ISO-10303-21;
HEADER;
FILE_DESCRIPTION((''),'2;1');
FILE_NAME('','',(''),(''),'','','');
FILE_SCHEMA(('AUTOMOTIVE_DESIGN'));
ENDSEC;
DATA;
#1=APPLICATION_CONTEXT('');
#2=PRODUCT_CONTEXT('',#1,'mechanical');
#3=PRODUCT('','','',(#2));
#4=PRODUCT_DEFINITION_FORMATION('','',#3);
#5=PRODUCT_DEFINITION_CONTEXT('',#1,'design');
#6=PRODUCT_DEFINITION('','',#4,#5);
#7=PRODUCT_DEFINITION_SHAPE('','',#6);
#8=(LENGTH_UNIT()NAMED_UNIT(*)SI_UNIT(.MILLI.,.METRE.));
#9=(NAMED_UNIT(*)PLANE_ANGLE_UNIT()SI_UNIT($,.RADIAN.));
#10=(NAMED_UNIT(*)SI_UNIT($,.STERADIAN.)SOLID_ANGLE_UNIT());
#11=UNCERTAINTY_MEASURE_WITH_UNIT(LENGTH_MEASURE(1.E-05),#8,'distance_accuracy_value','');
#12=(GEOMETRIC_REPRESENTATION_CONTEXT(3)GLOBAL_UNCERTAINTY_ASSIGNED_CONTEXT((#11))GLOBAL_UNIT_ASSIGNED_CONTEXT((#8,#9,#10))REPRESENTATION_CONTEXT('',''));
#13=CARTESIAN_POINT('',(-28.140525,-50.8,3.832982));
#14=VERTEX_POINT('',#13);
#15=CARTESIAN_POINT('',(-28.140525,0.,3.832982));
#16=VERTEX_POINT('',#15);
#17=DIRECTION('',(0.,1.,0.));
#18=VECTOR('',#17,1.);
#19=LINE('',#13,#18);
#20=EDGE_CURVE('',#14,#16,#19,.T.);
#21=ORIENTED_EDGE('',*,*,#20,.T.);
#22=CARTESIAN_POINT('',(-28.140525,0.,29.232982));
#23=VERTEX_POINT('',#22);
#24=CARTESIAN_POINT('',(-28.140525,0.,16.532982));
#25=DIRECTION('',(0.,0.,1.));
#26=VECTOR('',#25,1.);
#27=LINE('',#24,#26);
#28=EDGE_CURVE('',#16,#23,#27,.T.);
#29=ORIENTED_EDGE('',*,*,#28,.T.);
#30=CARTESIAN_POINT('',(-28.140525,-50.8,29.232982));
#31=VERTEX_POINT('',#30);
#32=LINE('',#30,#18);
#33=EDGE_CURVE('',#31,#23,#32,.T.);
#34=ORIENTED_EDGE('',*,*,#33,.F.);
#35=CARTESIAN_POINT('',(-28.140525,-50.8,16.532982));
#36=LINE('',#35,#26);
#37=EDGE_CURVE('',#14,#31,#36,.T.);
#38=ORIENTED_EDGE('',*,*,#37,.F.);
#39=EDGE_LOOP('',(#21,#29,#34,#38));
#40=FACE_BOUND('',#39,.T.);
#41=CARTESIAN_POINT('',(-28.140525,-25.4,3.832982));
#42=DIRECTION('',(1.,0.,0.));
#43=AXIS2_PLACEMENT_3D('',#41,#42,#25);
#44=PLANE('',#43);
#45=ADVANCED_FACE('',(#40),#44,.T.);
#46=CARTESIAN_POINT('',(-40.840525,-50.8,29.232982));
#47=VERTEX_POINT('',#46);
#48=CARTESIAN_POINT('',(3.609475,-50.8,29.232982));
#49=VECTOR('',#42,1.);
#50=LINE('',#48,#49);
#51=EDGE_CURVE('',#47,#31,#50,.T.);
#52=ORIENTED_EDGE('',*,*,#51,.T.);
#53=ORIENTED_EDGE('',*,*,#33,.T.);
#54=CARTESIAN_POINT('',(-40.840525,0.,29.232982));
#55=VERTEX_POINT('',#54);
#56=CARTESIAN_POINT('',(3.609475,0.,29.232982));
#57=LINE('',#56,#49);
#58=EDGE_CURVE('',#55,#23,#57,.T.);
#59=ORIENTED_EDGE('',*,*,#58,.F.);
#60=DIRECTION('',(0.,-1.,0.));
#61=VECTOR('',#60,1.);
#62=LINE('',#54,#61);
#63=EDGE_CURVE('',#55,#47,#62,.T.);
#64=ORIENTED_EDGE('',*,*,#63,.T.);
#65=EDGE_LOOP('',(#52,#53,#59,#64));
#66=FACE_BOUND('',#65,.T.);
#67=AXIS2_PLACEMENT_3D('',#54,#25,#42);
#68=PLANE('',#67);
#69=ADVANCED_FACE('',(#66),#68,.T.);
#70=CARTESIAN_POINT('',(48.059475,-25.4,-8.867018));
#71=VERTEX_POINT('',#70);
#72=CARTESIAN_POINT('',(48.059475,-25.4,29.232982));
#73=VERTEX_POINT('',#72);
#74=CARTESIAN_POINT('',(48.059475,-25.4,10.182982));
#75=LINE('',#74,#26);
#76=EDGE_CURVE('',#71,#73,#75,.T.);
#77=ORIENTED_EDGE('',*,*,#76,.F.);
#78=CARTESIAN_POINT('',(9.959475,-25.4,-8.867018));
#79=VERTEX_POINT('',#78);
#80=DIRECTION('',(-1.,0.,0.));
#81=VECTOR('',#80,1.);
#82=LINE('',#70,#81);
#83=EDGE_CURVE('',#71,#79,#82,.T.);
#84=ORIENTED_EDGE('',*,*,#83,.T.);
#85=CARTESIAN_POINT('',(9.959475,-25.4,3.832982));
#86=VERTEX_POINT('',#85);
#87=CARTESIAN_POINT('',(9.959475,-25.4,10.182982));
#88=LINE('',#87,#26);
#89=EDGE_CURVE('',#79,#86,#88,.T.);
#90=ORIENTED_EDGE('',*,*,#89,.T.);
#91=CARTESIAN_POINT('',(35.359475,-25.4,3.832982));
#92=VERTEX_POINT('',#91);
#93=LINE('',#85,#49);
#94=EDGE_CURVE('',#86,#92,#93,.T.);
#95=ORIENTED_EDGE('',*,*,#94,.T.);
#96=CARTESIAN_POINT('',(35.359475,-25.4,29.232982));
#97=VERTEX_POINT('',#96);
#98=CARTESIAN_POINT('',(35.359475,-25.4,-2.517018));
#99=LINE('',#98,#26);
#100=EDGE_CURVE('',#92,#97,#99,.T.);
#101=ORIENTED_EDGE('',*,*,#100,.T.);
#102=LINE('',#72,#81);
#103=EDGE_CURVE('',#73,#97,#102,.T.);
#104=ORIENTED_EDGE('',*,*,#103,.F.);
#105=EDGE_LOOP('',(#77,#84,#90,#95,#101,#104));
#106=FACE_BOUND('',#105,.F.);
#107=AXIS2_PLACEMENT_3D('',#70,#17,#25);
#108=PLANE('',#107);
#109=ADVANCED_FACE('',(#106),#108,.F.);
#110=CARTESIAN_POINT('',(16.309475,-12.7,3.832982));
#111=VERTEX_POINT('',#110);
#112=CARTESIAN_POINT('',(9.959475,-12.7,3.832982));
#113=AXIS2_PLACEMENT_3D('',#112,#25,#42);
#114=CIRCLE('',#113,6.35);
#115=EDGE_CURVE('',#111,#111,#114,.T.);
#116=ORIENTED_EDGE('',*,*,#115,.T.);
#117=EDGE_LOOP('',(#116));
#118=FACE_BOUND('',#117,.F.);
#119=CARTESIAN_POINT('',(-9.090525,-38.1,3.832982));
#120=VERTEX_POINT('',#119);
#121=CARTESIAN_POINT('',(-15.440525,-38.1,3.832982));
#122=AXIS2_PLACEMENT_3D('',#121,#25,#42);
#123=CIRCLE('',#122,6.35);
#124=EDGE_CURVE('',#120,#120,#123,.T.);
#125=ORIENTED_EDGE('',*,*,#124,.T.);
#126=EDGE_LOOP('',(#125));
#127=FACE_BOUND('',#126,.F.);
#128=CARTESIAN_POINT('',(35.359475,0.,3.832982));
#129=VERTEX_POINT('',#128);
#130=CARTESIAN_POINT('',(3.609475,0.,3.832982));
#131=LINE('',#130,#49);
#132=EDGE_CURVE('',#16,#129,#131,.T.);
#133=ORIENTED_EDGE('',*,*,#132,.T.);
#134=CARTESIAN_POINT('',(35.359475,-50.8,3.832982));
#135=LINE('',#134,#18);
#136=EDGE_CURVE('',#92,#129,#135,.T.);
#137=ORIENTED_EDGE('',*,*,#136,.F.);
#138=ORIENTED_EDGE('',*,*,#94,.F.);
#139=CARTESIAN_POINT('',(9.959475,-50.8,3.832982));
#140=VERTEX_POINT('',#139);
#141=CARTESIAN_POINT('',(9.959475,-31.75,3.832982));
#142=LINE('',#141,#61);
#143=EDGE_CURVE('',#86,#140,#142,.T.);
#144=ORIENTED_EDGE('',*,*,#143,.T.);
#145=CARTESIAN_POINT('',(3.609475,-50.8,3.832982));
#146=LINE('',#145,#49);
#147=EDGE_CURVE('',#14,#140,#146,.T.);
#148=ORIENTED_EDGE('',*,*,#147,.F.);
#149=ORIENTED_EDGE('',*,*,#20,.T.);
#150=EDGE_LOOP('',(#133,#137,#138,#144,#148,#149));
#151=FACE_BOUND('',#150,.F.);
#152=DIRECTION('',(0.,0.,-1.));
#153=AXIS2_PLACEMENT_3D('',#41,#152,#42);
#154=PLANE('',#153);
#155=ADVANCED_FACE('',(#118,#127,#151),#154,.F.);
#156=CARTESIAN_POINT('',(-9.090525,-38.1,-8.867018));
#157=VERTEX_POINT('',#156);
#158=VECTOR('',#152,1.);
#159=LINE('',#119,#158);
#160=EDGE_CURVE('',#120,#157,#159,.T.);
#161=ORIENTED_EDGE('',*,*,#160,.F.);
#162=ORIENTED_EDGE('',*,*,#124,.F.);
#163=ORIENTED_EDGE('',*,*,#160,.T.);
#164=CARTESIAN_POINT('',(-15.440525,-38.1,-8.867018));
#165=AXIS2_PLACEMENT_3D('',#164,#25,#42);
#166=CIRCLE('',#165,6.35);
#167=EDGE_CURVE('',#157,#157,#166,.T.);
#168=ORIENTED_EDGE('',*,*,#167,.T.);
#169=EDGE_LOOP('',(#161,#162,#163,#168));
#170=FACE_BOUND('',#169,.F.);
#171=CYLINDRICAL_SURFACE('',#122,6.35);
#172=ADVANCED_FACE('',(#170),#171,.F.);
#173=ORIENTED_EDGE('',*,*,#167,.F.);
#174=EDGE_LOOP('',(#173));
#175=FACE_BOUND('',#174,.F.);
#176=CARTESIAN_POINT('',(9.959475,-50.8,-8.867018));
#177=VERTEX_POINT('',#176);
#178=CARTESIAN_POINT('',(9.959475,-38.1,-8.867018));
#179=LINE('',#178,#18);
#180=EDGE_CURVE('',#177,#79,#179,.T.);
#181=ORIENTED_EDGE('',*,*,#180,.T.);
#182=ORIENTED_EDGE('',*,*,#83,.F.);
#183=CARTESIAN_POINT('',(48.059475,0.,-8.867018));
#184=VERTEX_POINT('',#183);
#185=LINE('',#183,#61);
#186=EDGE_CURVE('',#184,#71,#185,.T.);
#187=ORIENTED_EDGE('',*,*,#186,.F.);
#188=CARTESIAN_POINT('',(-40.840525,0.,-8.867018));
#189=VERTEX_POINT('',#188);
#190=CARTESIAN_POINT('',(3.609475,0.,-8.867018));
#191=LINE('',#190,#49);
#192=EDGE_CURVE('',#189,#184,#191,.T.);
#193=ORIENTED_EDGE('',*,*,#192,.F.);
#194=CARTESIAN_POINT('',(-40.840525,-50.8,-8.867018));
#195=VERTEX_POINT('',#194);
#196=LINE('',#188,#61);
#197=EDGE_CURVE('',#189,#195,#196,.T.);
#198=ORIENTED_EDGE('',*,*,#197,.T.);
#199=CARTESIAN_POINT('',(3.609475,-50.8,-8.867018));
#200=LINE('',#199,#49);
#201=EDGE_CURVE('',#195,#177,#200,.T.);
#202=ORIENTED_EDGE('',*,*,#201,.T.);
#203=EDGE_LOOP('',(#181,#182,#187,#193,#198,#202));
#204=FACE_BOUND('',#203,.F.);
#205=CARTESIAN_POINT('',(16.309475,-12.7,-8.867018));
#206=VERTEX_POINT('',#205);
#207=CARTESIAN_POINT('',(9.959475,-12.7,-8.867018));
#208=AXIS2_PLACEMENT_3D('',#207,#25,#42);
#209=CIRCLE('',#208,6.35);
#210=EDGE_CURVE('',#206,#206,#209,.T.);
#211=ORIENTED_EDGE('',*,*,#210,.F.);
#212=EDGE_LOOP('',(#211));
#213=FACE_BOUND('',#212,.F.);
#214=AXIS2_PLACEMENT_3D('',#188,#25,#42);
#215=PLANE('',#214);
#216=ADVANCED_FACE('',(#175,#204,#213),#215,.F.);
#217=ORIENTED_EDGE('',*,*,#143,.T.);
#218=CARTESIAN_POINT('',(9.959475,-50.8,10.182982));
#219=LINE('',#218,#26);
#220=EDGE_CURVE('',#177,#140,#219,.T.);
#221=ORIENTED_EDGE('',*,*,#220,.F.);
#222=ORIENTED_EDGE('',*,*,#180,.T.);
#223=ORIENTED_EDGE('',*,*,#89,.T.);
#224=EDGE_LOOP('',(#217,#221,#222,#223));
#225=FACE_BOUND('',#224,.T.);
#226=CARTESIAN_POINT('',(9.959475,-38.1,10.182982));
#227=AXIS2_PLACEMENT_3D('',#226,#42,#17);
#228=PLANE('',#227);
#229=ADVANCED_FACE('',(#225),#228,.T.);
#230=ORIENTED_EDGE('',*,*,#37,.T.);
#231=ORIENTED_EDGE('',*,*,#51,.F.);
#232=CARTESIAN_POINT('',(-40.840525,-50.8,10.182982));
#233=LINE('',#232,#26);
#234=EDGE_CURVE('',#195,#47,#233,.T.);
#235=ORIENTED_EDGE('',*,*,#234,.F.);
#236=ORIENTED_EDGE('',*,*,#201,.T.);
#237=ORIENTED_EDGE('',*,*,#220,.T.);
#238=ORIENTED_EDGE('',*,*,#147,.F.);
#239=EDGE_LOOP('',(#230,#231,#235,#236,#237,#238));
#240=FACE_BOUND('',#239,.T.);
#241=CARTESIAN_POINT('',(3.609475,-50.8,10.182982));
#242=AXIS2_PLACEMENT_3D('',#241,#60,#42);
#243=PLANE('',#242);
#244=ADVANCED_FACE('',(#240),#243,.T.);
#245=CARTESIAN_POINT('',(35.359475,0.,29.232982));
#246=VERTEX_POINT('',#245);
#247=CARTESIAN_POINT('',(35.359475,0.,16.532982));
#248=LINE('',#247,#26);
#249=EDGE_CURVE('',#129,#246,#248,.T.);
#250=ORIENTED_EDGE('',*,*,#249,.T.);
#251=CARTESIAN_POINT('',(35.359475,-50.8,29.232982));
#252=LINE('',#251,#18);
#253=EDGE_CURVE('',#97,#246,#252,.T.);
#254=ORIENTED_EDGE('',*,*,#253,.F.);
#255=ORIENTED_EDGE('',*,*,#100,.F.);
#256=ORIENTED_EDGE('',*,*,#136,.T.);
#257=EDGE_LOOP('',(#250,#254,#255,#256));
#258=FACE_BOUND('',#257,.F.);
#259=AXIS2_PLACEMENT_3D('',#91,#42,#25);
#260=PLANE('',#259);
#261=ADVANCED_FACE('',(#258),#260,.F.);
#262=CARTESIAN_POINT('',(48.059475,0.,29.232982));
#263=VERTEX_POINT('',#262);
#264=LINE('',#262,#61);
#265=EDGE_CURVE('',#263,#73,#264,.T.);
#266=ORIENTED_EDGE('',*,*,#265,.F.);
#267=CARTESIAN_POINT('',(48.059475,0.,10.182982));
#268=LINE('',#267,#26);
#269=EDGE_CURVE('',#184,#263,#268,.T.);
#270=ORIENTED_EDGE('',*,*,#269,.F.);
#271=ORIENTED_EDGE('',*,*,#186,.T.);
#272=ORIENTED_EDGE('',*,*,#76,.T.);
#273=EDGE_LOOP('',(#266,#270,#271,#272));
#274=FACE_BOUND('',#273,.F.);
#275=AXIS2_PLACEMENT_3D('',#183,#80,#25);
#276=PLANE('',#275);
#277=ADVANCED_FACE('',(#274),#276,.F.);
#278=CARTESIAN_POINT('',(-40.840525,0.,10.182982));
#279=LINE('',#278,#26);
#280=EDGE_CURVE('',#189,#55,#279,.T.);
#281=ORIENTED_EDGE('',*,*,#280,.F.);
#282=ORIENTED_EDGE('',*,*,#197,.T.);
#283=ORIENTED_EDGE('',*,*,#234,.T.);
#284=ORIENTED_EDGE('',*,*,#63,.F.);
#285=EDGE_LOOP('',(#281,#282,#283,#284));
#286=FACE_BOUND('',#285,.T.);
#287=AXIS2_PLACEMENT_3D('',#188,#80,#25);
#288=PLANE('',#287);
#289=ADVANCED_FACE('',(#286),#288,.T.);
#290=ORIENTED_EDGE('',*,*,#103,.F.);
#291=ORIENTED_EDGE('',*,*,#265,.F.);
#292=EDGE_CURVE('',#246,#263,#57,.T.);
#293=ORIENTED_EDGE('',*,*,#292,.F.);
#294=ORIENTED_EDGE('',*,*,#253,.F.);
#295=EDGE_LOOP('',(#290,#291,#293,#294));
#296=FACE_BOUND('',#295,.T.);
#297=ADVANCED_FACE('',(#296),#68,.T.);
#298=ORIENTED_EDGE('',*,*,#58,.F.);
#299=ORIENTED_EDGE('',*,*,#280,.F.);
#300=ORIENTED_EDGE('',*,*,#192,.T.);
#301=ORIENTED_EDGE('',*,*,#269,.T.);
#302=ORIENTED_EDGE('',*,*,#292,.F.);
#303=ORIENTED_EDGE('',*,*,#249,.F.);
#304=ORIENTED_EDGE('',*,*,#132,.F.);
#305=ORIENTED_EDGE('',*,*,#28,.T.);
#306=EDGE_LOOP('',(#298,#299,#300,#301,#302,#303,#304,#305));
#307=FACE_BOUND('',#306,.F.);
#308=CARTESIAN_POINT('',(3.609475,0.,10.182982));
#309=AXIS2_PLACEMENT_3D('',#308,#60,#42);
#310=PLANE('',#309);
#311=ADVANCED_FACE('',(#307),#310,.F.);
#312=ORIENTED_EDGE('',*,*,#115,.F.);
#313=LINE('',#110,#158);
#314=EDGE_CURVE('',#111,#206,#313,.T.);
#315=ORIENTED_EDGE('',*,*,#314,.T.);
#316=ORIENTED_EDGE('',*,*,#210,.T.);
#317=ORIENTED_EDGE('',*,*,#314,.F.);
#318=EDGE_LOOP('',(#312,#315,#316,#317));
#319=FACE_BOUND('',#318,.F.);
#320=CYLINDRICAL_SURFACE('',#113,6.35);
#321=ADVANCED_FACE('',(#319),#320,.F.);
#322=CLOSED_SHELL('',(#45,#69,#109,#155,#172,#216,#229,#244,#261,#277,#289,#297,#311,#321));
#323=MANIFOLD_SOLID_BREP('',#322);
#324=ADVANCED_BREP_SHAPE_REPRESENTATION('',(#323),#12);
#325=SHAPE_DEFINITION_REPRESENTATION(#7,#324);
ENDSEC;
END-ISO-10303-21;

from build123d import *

# Parameters (mm, degrees)
F0_W      = 88.9
F0_H      = 38.1
F1_DEPTH  = 50.8
F2_W      = 63.5
F2_H      = 25.4
F3_DEPTH  = 25.4
F3_FACE_W = 63.5
F3_FACE_H = 25.4
F4_DEPTH  = 25.4
F5_W      = 25.4
F5_H      = 38.1
F6_DEPTH  = 38.1
F7_R      = 6.35
F8_DEPTH  = 12.701
F9_R      = 6.35
F10_DEPTH = 12.701


with BuildPart() as f1:
    # F0 (on Front) → F1 (new body)
    with BuildSketch(Plane.XZ):
        with Locations((3.609475, 10.182982)):
            Rectangle(F0_W, F0_H)
    extrude(amount=F1_DEPTH)

    # F2 (on face) → F3 (cut)
    with BuildSketch(Plane.XZ.offset(50.8)):
        with Locations((3.609475, 16.532982)):
            Rectangle(F2_W, F2_H)
    extrude(amount=-F3_DEPTH, mode=Mode.SUBTRACT)

    # F3_face (on face) → F4 (cut)
    with BuildSketch(Plane(origin=(3.609475, -25.4, 16.532982), x_dir=(1, 0, 0), z_dir=(0, -1, 0))):
        Rectangle(F3_FACE_W, F3_FACE_H)
    extrude(amount=-F4_DEPTH, mode=Mode.SUBTRACT)

    # F5 (on face) → F6 (cut)
    with BuildSketch(Plane.YZ.offset(48.059475)):
        with Locations((-38.1, 10.182982)):
            Rectangle(F5_W, F5_H)
    extrude(amount=-F6_DEPTH, mode=Mode.SUBTRACT)

    # F7 (on face) → F8 (cut, through all)
    with BuildSketch(Plane.XY.offset(3.832982)):
        with Locations((-15.440525, -38.1)):
            Circle(F7_R)
    extrude(amount=-F8_DEPTH, mode=Mode.SUBTRACT)

    # F9 (on face) → F10 (cut, through all)
    with BuildSketch(Plane.XY.offset(3.832982)):
        with Locations((9.959475, -12.7)):
            Circle(F9_R)
    extrude(amount=-F10_DEPTH, mode=Mode.SUBTRACT)


solid = f1.part
